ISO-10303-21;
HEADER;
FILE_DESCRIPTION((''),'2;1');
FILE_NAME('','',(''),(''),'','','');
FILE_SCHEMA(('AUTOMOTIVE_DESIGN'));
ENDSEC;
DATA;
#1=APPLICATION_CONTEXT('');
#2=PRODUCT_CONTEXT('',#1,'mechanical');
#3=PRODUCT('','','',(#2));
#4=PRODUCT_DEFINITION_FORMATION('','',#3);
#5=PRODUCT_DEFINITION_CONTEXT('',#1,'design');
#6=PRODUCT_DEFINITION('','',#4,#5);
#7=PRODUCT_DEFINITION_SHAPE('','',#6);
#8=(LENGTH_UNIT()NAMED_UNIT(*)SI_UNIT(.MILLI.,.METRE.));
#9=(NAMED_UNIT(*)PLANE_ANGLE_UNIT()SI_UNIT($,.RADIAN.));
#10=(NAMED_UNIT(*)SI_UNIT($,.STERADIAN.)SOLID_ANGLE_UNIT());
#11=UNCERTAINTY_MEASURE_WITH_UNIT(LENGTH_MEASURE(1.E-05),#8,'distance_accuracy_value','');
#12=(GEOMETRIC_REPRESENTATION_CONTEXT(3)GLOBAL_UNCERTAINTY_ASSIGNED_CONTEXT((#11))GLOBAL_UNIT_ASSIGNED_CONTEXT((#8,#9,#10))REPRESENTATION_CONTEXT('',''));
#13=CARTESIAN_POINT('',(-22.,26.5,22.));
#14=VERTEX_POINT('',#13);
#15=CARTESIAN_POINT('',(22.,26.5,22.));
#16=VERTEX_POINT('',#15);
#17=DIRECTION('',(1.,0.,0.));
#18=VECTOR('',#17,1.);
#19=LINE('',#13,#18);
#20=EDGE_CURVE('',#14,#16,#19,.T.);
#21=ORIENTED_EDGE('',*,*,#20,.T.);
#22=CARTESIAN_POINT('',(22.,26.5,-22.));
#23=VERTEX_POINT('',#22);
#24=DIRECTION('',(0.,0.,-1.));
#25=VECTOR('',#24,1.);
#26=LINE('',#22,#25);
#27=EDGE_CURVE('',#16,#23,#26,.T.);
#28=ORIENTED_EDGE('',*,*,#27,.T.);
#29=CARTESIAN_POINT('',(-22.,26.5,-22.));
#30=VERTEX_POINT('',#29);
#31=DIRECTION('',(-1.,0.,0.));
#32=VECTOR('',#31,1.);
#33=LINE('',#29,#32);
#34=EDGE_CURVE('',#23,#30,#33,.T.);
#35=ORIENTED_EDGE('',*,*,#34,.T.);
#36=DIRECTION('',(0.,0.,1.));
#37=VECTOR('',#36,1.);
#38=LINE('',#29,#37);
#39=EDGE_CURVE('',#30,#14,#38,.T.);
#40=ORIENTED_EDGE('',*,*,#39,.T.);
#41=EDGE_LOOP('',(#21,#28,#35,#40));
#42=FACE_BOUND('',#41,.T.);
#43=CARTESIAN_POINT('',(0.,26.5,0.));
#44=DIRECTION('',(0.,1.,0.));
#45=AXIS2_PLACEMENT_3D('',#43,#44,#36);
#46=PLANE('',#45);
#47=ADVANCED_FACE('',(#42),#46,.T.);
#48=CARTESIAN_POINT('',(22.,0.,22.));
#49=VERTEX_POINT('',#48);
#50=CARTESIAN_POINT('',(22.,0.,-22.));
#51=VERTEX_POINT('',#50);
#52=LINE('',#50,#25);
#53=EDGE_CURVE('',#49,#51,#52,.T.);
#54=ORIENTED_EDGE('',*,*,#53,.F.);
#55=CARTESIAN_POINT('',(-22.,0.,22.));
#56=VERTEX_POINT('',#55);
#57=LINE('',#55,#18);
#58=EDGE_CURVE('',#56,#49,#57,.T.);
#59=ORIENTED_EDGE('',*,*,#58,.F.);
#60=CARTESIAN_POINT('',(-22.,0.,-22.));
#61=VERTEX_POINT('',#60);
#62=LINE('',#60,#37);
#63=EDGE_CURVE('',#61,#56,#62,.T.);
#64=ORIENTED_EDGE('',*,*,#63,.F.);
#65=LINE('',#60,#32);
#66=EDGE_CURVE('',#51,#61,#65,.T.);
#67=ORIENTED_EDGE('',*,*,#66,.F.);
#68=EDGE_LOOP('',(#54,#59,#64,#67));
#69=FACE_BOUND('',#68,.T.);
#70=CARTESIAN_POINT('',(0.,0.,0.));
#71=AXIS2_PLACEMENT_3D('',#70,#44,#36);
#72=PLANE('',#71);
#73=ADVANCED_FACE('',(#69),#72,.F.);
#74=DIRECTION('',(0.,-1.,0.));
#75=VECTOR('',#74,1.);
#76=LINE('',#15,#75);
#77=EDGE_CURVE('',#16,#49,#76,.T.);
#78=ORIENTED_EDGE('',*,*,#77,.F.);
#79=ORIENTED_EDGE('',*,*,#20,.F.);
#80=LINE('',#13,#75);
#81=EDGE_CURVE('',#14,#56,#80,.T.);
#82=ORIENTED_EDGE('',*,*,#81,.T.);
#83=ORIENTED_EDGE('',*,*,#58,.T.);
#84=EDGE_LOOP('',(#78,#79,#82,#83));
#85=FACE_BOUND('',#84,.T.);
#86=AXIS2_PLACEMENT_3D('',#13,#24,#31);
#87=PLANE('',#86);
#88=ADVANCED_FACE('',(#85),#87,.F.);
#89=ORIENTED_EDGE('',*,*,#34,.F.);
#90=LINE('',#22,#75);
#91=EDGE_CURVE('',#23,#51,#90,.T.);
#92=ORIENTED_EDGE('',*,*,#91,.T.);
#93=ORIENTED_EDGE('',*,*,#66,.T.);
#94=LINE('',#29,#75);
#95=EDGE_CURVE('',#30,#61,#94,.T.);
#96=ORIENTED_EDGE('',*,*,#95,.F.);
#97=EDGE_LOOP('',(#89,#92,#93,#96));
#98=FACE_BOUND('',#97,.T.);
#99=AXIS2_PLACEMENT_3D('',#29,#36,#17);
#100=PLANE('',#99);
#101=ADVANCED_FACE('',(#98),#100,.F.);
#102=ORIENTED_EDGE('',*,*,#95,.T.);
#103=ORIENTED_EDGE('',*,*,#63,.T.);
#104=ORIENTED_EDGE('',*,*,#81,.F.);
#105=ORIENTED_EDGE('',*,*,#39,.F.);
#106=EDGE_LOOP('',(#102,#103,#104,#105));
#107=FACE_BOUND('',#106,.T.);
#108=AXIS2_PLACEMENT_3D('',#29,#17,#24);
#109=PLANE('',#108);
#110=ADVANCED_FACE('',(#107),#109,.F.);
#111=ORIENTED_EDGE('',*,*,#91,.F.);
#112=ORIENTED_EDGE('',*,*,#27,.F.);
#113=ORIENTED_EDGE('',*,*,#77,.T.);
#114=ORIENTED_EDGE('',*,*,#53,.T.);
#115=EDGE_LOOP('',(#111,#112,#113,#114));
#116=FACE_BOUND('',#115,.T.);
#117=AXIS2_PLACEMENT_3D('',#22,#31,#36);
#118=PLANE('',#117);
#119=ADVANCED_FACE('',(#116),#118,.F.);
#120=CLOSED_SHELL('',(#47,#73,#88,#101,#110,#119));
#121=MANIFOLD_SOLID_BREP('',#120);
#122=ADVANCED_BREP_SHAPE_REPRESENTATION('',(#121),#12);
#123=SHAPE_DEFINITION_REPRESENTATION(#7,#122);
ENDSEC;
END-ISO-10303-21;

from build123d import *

# Parameters (mm, degrees)
SKETCH_1_W      = 44
SKETCH_1_H      = 44
EXTRUDE_1_DEPTH = 26.5


with BuildPart() as part:
    # 草圖1 → 填料-伸長1 (new body)
    with BuildSketch(Plane(origin=(0, 0, 0), x_dir=(1, 0, 0), z_dir=(0, 1, 0))):
        Rectangle(SKETCH_1_W, SKETCH_1_H)
    extrude(amount=EXTRUDE_1_DEPTH)


solid = part.part
